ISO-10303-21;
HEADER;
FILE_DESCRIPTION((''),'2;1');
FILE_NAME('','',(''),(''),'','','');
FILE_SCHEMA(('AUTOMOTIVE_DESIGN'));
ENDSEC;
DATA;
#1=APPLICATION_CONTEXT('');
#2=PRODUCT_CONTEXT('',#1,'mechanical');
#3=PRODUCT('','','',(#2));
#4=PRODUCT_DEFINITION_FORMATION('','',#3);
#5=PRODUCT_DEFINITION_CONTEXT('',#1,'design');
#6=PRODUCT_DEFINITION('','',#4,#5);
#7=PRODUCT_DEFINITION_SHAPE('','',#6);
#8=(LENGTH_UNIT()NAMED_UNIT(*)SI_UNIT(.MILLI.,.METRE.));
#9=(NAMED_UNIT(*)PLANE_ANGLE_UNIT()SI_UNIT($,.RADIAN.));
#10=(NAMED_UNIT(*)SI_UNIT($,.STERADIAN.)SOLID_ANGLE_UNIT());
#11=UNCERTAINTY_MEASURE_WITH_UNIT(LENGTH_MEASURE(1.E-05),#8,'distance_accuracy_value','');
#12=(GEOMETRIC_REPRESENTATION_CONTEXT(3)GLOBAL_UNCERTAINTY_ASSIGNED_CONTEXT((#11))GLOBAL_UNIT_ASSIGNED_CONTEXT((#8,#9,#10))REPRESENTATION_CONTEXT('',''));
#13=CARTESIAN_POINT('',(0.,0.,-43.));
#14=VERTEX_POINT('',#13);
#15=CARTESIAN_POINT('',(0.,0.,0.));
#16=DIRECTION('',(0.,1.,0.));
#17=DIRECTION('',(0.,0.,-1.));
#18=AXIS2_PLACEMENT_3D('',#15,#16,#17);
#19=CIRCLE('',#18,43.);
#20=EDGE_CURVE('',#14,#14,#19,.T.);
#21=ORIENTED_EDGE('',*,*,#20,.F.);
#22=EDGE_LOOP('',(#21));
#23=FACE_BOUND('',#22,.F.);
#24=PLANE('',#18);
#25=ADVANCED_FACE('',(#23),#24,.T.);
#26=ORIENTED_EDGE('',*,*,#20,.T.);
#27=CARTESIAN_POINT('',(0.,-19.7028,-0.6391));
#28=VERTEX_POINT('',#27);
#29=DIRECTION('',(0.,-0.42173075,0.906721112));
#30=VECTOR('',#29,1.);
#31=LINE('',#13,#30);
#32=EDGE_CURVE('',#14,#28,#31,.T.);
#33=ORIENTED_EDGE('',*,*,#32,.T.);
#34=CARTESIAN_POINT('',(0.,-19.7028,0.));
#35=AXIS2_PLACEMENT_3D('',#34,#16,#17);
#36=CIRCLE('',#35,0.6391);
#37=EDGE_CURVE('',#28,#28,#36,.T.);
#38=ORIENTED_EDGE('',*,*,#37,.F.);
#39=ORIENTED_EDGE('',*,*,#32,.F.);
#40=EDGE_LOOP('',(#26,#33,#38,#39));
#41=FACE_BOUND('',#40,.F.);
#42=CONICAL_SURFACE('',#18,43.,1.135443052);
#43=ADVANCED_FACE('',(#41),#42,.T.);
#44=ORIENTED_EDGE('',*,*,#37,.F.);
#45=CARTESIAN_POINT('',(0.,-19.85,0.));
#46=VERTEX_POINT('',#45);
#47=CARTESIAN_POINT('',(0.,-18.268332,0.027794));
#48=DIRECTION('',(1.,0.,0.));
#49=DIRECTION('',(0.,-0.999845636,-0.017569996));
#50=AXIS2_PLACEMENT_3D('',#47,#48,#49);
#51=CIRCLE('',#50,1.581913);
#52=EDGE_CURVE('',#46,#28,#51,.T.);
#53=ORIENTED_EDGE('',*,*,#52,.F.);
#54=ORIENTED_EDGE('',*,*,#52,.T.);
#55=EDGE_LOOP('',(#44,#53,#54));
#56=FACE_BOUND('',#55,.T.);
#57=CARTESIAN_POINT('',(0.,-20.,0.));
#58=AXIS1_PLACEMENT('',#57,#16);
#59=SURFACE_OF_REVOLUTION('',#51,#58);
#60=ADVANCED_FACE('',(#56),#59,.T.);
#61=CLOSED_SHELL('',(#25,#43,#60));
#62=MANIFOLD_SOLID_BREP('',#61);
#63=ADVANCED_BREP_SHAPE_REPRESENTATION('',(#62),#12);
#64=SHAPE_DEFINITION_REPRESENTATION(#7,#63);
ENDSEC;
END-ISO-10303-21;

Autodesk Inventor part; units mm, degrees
ref_plane "YZ Plane" through (0, 0, 0) normal (1, 0, 0) x (0, 1, 0)
ref_plane "XZ Plane" through (0, 0, 0) normal (0, 1, 0) x (-1, 0, 0)
ref_plane "XY Plane" through (0, 0, 0) normal (0, 0, 1) x (1, 0, 0)
sketch "Эскиз1" plane through (0, 0, 0) normal (1, 0, 0) x (0, 1, 0)
  line L0 (0, 0) -> (0, -43)
  line L1 (0, -43) -> (-20, 0)
  line L2 (-20, 0) -> (0, 0)
  arc A0 (-19.85, 0) -> (-19.7028, -0.6391) centre (-18.2691, 0.0277) ccw
  dimension "d0" = 20
  dimension "d1" = 43
  dimension "d3" = 0.15
revolve "Вращение1" add sketch "Эскиз1" angle 360 about axis through (0, -20, 0) along (0, 1, 0) contours L0 L1 A0 L2
properties part number "mirror" material "Стекло"
